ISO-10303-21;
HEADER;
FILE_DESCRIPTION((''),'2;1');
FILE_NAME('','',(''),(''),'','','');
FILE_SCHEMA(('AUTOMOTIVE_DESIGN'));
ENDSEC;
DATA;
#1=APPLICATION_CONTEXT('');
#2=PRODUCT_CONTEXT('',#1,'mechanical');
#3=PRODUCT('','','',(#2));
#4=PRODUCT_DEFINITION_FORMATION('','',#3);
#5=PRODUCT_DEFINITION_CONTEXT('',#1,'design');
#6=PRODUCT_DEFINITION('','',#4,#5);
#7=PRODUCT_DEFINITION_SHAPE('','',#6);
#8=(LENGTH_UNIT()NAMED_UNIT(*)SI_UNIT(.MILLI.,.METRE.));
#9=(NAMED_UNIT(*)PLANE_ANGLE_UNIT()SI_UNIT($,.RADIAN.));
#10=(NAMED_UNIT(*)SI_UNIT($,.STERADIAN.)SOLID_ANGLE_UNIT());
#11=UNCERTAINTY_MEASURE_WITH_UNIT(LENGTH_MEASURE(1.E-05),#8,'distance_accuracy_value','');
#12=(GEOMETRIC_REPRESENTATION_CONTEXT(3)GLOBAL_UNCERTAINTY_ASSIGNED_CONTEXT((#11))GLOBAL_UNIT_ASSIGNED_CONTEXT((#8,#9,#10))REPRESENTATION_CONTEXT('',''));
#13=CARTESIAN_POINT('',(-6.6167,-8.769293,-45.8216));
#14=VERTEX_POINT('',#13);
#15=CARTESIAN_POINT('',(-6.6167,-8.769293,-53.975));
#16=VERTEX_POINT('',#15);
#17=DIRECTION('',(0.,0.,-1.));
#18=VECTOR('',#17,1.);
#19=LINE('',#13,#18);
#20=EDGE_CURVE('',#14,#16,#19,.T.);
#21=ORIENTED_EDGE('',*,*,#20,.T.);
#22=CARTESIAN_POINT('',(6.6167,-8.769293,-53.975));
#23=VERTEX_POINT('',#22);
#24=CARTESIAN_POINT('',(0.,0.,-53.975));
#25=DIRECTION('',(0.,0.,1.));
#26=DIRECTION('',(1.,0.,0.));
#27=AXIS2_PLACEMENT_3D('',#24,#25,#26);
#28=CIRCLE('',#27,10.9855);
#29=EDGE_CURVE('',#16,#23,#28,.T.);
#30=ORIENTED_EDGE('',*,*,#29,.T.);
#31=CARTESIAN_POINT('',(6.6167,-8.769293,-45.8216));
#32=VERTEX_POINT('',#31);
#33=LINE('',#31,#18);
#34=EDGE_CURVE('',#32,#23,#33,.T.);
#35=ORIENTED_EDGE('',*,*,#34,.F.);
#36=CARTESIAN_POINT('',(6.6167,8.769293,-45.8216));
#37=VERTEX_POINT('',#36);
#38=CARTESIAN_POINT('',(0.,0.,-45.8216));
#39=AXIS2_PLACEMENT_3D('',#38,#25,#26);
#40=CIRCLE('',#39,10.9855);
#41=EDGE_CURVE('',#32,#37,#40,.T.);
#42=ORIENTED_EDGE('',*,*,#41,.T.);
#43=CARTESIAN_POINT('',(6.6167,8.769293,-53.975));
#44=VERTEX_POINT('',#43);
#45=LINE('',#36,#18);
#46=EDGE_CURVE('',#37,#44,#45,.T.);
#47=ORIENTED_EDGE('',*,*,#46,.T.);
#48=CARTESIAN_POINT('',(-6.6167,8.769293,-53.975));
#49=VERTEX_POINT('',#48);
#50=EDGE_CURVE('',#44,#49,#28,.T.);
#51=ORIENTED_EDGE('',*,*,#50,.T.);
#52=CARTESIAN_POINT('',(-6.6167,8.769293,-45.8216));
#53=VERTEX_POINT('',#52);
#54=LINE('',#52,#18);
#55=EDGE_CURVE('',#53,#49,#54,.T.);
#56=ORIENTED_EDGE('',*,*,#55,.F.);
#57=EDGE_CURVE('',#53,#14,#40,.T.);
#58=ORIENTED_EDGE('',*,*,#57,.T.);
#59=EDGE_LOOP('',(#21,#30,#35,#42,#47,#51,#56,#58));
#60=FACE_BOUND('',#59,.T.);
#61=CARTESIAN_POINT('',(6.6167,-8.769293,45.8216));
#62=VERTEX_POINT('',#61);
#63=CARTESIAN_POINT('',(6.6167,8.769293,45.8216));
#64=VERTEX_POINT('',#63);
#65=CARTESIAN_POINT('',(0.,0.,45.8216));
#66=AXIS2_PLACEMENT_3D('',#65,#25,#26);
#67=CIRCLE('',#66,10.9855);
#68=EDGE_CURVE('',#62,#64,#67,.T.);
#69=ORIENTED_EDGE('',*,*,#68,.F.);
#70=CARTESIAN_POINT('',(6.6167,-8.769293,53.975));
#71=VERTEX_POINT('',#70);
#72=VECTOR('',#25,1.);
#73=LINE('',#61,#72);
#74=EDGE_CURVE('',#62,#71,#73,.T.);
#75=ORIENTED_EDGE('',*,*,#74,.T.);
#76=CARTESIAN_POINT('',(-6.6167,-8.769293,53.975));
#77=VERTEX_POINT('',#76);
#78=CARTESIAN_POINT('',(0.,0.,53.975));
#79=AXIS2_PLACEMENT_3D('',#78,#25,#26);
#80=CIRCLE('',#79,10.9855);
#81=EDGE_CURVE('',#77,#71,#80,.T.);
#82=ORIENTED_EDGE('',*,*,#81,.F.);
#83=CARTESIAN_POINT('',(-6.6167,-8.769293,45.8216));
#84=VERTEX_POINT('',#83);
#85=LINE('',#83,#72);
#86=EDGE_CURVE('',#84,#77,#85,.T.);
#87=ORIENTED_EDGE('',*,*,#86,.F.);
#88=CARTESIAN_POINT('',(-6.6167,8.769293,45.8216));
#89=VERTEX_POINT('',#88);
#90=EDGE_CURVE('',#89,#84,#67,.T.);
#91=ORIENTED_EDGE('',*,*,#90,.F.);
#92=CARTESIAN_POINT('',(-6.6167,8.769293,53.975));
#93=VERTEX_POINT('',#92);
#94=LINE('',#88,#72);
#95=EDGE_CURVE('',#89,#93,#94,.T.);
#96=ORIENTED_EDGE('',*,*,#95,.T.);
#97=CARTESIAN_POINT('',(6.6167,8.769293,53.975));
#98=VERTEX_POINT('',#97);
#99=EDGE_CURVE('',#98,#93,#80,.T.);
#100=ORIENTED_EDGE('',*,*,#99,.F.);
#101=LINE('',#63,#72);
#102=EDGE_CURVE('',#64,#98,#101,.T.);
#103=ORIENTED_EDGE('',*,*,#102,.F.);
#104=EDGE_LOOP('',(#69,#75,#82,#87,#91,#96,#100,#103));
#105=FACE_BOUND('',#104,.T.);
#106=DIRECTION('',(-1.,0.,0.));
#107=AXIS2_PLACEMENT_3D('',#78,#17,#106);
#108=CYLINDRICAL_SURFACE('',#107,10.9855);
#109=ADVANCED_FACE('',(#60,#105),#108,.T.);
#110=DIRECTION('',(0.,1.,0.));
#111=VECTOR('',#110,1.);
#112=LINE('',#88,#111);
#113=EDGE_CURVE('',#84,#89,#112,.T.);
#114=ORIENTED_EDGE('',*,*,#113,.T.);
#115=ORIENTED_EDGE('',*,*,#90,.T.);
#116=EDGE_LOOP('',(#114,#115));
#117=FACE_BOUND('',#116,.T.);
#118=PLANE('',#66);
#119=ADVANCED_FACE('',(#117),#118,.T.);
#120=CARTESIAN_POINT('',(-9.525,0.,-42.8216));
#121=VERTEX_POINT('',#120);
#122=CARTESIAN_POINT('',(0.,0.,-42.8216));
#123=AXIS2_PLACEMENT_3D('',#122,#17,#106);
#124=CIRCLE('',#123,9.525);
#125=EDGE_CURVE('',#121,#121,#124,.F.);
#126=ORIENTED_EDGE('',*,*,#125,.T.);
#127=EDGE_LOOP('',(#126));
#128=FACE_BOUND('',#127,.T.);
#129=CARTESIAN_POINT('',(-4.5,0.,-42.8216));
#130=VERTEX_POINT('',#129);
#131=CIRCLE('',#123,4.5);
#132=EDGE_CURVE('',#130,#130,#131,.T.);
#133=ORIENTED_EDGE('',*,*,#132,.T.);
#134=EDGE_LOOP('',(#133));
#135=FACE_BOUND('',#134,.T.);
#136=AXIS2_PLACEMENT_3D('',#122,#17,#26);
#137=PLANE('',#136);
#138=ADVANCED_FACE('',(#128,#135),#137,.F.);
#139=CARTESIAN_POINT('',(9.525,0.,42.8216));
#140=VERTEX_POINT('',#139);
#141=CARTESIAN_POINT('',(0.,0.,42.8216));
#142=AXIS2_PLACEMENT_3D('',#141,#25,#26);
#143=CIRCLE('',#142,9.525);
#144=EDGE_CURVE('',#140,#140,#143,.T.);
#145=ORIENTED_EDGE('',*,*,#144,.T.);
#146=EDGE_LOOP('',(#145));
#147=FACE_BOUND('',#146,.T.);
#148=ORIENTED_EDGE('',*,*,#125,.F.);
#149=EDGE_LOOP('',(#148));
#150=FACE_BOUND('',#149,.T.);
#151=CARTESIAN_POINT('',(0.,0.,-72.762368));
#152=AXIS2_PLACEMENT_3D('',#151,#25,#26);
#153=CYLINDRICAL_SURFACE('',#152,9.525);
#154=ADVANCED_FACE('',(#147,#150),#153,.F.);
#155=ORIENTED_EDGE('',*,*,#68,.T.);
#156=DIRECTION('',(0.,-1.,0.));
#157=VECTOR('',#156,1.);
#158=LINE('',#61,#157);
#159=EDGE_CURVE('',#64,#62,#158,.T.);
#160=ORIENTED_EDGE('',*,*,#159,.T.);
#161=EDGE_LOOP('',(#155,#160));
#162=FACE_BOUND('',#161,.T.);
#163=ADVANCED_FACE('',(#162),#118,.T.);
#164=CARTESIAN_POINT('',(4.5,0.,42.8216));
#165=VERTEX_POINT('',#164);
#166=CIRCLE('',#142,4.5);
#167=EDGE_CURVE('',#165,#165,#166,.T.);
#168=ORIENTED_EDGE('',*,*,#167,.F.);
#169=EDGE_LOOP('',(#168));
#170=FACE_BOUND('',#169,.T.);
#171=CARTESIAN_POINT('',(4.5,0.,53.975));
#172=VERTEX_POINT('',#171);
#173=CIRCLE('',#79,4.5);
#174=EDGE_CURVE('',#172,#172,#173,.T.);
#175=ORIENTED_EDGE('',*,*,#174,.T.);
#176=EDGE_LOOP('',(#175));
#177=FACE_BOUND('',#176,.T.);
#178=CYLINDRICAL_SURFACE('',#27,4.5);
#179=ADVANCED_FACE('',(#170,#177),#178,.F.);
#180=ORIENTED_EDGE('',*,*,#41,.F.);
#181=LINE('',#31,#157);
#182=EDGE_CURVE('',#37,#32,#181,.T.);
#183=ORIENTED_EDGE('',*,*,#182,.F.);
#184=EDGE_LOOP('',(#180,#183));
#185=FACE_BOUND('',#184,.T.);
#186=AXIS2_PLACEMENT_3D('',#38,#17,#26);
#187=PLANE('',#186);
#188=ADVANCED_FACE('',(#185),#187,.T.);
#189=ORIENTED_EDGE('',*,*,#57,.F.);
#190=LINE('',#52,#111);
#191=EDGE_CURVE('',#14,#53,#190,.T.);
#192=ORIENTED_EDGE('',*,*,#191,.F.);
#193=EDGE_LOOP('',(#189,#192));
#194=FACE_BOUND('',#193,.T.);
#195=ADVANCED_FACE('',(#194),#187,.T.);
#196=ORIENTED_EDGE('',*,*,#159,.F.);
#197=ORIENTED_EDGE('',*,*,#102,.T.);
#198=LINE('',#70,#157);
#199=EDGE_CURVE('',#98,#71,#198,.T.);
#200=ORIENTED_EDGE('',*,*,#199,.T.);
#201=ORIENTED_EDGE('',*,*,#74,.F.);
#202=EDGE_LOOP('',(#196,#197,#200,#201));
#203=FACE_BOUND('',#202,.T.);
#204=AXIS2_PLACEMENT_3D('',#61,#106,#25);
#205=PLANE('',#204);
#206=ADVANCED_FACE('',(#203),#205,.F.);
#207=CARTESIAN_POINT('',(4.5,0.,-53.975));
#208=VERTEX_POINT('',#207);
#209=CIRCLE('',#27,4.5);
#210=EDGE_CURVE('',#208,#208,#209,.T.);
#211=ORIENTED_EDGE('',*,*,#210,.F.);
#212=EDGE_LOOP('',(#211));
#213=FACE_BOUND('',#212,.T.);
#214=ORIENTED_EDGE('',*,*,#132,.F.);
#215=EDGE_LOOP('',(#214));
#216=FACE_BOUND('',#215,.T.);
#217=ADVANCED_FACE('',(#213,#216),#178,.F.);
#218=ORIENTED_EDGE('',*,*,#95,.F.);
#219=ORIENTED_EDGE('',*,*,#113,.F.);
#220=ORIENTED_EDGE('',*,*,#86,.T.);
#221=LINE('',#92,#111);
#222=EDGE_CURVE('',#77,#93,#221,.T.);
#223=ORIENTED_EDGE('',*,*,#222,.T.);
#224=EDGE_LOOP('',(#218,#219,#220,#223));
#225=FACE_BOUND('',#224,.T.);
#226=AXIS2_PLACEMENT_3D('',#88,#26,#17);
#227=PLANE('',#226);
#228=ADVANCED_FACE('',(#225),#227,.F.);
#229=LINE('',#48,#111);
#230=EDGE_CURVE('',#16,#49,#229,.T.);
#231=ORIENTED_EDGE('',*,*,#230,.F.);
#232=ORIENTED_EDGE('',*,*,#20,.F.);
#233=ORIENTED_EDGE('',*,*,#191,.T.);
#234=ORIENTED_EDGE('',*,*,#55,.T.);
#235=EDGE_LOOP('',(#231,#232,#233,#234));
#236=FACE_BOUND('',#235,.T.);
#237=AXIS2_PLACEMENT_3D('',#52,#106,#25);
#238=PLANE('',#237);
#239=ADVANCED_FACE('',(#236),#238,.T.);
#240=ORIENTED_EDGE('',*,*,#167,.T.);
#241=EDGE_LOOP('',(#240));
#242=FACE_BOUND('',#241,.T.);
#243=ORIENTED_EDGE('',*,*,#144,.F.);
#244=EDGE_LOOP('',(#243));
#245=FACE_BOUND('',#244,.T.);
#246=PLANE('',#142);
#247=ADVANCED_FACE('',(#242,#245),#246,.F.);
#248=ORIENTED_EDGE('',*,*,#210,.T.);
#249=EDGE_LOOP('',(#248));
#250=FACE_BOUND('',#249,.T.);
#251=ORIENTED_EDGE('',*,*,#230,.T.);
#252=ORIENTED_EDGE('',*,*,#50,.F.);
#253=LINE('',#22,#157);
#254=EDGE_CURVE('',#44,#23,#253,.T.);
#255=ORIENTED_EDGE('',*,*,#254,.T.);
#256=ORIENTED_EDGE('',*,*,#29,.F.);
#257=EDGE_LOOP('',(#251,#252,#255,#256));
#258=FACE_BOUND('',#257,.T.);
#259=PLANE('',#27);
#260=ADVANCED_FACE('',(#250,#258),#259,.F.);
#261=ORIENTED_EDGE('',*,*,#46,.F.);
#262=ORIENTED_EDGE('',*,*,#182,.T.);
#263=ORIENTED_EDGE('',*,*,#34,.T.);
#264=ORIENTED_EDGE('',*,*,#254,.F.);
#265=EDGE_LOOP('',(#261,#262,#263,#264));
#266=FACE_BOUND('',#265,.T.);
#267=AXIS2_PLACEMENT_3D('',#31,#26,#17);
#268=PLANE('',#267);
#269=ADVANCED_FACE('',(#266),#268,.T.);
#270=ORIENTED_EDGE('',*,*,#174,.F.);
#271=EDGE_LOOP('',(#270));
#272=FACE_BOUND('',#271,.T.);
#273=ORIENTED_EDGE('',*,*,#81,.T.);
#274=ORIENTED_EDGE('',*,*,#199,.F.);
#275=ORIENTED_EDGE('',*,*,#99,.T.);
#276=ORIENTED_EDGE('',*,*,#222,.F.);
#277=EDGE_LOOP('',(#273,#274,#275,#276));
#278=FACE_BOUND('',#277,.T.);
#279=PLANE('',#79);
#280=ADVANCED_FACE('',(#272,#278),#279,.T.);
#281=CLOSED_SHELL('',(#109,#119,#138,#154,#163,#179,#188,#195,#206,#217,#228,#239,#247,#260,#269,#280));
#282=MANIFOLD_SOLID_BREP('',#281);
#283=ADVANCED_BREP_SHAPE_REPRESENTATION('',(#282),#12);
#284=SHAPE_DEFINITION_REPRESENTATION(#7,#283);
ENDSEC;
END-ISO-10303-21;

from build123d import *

# Parameters (mm, degrees)
SKETCH1_R           = 10.9855
BOSS_EXTRUDE1_DEPTH = 53.975
CUT_EXTRUDE1_DEPTH  = 8.1534
CUT_EXTRUDE2_START  = -3
SKETCH3_R           = 9.525
CUT_EXTRUDE2_DEPTH  = 85.6432
SKETCH5_R           = 4.5
CUT_EXTRUDE3_DEPTH  = 110.062206655


with BuildPart() as part:
    # Sketch1 → Boss-Extrude1 (new, symmetric)
    with BuildSketch(Plane.XY):
        Circle(SKETCH1_R)
    extrude(amount=BOSS_EXTRUDE1_DEPTH, both=True)

    # Sketch2 → Cut-Extrude1 (cut)
    with BuildSketch(Plane.XY.offset(53.975)):
        with BuildLine():
            Line((-6.6167, 8.769292523), (-6.6167, -8.769292523))
            ThreePointArc((-6.6167, -8.769292523), (-10.9855, 0), (-6.6167, 8.769292523))
        make_face()
        with BuildLine():
            Line((6.6167, -8.769292523), (6.6167, 8.769292523))
            ThreePointArc((6.6167, 8.769292523), (10.9855, 0), (6.6167, -8.769292523))
        make_face()
    cut_extrude1 = extrude(amount=-CUT_EXTRUDE1_DEPTH, mode=Mode.SUBTRACT)

    # Mirror1: Cut-Extrude1 across plane
    add(cut_extrude1.mirror(Plane.XY), mode=Mode.SUBTRACT)

    # Sketch3 → Cut-Extrude2 (cut)
    with BuildSketch(Plane.XY.offset(45.8216).offset(CUT_EXTRUDE2_START)):
        Circle(SKETCH3_R)
    extrude(amount=-CUT_EXTRUDE2_DEPTH, mode=Mode.SUBTRACT)

    # Sketch5 → Cut-Extrude3 (cut, through all)
    with BuildSketch(Plane.XY.offset(53.975)):
        Circle(SKETCH5_R)
    extrude(amount=-CUT_EXTRUDE3_DEPTH, mode=Mode.SUBTRACT)


solid = part.part
